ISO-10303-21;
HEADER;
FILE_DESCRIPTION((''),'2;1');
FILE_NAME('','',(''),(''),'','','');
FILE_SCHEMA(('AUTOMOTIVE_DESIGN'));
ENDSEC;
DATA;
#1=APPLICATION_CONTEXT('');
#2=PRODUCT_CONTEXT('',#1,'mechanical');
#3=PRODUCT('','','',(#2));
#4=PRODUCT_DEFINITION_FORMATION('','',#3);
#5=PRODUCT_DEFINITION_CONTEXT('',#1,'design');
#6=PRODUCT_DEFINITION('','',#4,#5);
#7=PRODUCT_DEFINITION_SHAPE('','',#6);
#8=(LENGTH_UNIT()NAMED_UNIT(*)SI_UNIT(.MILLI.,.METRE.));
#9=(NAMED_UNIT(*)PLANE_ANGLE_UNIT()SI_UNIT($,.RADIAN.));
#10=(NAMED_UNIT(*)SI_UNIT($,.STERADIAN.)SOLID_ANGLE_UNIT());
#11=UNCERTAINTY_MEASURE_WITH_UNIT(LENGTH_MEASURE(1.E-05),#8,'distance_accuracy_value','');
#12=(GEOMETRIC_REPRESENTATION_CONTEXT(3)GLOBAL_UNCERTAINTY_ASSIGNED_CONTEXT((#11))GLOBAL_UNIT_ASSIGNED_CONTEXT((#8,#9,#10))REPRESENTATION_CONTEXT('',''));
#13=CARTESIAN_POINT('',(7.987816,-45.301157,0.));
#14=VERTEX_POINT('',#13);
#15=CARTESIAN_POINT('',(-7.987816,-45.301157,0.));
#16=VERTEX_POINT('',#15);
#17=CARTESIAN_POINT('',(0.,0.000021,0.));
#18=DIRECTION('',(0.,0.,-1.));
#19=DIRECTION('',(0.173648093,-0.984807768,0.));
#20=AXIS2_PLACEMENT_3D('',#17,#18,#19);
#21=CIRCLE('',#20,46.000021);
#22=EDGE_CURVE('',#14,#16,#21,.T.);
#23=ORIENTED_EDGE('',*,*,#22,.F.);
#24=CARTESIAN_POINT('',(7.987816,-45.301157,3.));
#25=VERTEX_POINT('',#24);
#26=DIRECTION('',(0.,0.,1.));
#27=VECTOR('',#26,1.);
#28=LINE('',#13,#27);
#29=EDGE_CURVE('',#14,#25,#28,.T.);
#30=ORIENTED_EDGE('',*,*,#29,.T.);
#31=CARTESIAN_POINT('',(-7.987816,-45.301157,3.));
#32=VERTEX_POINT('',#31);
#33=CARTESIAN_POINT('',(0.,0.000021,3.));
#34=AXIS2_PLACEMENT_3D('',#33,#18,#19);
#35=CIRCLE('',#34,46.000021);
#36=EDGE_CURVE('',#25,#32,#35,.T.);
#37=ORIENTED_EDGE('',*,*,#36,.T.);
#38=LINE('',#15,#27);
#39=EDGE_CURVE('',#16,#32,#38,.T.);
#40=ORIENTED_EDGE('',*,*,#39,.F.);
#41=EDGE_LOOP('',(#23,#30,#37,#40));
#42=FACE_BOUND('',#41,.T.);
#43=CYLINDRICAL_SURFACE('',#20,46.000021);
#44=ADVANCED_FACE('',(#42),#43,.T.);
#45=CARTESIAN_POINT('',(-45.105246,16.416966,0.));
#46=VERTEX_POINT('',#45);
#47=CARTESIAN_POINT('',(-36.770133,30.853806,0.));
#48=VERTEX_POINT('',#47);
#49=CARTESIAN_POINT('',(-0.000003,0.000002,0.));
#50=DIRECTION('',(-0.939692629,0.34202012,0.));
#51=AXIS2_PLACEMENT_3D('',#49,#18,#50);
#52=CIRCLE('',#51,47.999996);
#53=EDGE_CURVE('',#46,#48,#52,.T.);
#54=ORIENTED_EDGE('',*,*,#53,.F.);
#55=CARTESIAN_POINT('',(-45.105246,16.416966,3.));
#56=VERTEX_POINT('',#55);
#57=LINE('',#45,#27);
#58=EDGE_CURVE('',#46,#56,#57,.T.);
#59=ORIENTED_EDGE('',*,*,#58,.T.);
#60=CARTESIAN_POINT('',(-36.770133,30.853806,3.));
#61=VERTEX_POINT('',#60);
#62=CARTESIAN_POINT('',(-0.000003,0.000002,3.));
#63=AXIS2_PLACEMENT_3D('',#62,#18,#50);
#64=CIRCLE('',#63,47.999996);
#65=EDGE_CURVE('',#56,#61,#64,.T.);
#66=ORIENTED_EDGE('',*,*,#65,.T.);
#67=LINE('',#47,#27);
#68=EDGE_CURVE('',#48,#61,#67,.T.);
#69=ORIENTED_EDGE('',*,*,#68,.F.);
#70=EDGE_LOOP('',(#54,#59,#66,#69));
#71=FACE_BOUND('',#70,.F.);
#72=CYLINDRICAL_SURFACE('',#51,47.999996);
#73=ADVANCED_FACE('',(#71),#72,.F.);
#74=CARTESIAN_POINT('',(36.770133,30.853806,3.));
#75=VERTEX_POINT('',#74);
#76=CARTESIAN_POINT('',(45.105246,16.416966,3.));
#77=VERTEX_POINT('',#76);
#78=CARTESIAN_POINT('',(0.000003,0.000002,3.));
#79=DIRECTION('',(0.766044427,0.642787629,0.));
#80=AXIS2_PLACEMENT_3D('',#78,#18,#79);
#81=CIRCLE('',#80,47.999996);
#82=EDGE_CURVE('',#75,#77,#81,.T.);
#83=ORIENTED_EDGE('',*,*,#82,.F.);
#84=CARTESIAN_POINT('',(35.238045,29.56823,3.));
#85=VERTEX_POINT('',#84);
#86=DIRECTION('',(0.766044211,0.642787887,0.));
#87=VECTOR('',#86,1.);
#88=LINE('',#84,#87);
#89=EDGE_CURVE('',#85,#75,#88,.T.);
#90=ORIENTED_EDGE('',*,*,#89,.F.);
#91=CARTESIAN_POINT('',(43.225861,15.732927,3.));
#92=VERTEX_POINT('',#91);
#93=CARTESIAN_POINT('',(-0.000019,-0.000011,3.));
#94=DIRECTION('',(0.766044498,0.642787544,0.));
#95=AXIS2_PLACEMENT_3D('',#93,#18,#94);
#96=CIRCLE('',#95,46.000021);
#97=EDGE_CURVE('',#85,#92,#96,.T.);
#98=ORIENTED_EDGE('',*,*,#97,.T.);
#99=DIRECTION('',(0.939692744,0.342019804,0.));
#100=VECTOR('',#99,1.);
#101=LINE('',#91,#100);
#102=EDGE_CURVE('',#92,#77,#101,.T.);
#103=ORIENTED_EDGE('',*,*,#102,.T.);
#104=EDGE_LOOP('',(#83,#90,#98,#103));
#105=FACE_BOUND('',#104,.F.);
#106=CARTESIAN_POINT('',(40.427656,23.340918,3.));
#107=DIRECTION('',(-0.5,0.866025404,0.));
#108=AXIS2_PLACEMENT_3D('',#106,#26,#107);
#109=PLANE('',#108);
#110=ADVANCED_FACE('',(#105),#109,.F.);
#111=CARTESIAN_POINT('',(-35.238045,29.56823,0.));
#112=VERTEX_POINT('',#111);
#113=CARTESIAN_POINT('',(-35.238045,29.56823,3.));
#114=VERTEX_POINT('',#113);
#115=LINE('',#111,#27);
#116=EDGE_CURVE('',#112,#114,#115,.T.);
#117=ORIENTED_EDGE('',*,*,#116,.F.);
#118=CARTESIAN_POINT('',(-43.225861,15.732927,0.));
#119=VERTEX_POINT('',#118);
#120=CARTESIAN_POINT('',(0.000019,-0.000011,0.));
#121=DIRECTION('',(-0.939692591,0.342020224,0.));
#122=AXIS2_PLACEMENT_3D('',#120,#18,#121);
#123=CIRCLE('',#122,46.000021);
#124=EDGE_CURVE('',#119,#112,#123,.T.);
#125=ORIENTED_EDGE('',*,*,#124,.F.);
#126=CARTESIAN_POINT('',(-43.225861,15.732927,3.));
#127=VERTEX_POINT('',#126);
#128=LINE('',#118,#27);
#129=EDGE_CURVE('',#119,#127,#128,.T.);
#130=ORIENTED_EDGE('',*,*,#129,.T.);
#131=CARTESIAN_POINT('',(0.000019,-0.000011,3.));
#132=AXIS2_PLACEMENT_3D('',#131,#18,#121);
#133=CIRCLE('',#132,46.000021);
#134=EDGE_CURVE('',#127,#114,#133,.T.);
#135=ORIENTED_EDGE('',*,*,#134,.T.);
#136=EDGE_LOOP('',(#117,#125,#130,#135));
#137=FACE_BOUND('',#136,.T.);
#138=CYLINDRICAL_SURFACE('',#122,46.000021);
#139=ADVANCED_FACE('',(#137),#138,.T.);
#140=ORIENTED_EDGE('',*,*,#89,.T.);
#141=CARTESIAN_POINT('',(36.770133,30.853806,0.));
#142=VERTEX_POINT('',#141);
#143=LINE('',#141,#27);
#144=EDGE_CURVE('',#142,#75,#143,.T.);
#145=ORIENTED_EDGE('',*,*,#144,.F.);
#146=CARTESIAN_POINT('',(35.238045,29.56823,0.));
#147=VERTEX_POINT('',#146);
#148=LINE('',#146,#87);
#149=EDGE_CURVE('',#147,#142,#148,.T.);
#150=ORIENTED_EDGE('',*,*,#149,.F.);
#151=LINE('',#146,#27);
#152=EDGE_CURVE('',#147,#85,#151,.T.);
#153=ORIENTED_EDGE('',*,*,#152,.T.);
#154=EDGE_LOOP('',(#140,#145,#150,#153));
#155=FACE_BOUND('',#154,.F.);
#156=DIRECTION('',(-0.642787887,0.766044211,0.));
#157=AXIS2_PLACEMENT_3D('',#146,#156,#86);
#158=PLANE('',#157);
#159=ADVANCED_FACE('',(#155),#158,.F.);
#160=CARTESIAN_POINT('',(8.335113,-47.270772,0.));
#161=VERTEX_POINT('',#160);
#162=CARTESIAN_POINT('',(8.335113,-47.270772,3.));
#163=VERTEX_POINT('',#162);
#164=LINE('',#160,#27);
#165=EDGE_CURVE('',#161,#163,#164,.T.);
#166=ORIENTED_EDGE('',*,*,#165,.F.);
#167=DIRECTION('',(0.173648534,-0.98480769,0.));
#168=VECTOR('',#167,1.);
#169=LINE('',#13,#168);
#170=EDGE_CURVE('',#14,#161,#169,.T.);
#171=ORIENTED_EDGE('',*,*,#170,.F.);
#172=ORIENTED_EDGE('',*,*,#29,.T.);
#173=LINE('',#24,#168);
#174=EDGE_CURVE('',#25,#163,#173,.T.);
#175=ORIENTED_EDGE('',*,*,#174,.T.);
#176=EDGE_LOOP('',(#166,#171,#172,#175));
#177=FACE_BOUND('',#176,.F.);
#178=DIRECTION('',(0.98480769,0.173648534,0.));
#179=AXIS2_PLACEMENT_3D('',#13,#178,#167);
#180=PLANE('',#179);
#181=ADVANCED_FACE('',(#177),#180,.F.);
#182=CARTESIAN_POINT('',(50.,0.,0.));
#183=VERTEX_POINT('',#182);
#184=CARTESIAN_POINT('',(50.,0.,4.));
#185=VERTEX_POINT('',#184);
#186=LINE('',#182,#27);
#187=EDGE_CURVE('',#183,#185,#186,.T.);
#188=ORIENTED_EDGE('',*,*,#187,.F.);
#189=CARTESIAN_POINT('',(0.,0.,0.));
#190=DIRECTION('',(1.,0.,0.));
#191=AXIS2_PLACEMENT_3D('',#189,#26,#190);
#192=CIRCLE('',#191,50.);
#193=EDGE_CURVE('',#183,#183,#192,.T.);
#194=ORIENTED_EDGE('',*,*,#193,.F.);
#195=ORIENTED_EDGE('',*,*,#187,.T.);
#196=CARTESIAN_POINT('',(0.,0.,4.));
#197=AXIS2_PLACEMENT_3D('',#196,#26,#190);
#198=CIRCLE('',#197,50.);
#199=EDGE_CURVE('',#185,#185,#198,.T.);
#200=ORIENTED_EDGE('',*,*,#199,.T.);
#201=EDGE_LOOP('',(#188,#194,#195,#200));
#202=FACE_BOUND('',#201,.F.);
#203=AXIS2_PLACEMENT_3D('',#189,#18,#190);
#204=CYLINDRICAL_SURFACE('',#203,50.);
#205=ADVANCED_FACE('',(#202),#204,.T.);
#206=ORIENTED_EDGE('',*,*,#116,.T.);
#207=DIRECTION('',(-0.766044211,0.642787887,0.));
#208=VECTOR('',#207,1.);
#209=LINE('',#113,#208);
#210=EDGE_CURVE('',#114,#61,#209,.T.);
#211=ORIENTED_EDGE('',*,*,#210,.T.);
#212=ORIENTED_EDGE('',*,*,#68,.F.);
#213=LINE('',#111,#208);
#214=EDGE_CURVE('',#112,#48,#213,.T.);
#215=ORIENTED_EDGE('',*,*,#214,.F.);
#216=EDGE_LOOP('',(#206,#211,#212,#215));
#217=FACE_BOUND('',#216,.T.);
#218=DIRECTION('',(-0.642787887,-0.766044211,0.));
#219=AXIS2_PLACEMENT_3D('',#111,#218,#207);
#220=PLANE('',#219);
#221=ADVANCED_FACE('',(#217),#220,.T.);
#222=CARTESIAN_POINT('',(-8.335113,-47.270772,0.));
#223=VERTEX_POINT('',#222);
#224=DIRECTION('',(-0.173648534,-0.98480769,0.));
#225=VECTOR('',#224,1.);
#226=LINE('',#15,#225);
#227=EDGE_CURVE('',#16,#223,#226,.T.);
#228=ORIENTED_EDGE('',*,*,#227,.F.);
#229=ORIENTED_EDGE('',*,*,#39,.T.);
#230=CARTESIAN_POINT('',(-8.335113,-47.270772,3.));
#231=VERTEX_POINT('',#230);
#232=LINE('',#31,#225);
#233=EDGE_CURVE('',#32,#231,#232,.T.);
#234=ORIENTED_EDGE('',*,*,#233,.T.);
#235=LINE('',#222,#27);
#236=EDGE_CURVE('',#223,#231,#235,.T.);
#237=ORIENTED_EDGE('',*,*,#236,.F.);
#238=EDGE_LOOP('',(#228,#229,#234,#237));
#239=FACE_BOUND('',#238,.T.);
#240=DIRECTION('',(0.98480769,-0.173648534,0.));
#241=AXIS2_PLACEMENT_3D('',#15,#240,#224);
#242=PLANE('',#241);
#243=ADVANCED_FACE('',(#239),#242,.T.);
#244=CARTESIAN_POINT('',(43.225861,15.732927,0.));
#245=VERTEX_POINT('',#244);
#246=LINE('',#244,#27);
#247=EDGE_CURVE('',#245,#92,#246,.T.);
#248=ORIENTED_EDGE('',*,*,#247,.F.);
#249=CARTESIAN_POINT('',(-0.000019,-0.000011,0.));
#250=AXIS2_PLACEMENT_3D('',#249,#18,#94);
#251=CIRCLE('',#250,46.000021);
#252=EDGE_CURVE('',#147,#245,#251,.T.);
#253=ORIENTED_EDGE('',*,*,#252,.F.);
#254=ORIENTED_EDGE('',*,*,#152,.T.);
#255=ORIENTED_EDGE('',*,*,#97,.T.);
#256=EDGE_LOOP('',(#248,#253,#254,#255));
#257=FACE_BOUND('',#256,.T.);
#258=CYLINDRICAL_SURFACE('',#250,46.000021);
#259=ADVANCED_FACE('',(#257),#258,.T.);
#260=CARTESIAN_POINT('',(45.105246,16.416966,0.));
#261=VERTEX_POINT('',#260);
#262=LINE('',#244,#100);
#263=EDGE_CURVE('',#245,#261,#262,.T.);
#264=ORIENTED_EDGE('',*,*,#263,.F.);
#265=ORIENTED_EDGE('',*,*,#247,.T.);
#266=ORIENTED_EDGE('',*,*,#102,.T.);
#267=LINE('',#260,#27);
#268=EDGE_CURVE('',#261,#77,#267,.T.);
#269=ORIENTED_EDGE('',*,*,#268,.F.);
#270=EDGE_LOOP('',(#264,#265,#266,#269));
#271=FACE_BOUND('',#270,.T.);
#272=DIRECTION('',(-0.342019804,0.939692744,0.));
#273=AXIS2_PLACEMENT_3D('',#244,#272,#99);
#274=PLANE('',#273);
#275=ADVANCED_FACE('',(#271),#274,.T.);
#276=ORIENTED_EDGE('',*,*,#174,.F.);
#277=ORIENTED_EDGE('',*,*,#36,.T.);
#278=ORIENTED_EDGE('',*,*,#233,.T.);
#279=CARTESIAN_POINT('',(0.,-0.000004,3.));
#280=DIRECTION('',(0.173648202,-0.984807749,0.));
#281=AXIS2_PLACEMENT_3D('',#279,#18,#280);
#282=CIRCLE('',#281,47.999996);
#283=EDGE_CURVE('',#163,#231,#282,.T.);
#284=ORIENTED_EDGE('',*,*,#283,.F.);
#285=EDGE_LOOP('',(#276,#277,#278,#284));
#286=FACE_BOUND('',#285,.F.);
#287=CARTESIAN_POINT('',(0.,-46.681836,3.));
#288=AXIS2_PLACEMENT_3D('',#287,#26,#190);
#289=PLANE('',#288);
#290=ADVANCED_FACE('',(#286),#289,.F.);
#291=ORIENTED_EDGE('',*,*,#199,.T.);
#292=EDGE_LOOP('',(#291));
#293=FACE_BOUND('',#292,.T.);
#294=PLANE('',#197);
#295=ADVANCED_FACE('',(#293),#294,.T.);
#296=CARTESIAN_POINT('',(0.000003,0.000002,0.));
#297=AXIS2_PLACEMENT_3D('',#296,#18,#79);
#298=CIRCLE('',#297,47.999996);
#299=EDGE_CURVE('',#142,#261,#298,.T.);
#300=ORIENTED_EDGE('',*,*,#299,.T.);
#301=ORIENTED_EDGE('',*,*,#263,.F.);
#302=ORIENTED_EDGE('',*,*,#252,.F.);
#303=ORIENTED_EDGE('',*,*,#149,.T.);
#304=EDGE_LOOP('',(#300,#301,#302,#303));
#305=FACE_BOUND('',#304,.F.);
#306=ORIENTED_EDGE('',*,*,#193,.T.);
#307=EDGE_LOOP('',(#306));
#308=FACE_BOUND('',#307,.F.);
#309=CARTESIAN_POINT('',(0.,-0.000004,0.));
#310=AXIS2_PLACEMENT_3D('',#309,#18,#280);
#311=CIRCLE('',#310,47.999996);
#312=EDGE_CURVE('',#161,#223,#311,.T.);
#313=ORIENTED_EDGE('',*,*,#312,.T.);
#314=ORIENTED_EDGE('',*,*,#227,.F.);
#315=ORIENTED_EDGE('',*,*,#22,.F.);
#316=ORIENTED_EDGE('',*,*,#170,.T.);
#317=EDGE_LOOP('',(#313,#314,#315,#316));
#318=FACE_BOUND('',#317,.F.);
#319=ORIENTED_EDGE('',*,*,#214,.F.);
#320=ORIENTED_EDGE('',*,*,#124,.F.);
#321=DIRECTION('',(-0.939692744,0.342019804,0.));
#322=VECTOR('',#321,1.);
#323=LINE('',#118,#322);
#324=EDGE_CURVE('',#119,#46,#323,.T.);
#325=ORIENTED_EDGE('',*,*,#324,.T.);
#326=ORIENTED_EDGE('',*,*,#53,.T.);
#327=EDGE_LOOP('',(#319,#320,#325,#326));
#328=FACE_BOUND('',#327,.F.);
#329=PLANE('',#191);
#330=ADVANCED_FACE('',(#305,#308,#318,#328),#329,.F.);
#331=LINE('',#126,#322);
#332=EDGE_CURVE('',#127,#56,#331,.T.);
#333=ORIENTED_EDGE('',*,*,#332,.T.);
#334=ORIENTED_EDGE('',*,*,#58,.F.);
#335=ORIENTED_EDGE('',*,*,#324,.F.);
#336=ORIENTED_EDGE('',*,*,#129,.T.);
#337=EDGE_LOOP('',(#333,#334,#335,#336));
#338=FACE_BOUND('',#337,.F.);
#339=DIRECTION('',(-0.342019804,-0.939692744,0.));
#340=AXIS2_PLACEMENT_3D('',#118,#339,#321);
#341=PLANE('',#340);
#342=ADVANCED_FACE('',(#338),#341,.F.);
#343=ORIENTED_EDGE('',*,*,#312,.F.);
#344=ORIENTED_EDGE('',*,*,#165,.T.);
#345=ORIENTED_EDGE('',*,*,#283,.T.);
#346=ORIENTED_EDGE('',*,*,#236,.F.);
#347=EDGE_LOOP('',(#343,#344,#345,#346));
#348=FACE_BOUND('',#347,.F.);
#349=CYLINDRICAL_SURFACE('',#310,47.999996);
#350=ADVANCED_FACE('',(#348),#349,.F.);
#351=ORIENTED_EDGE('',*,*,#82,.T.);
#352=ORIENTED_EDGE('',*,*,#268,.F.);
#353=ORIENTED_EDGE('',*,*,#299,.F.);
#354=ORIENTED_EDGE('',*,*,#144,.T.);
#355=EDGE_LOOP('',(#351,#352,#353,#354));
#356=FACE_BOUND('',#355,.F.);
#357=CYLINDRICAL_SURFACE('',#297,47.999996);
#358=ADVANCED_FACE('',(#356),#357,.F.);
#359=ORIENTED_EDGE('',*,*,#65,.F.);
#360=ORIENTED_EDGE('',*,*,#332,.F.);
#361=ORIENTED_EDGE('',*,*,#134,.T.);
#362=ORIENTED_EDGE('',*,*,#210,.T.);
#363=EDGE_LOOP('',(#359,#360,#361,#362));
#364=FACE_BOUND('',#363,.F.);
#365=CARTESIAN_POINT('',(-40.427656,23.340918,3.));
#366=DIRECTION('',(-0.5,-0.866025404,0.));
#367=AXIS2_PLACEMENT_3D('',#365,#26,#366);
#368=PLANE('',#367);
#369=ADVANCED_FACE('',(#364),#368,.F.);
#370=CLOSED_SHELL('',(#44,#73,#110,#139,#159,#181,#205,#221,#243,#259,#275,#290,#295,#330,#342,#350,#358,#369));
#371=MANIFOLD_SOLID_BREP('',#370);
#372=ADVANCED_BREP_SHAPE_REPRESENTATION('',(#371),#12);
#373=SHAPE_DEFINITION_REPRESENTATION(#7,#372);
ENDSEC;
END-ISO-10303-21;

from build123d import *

# Parameters (mm, degrees)
SKETCH_R           = 50
PAD_DEPTH          = 4
POCKET_DEPTH       = 3
POLARPATTERN_COUNT = 3


with BuildPart() as part:
    # Sketch → Pad (new body)
    with BuildSketch(Plane.XY):
        Circle(SKETCH_R)
    extrude(amount=PAD_DEPTH)

    # Sketch001 → Pocket (cut)
    with BuildSketch(Plane(origin=(0, 0, 0), x_dir=(-1, 0, 0), z_dir=(0, 0, -1))):
        with BuildLine():
            ThreePointArc((-7.987816, -45.301157), (0, -46), (7.987816, -45.301157))
            Line((7.987816, -45.301157), (8.335113, -47.270772))
            ThreePointArc((-8.335113, -47.270772), (0, -48), (8.335113, -47.270772))
            Line((-7.987816, -45.301157), (-8.335113, -47.270772))
        make_face()
    pocket = extrude(amount=-POCKET_DEPTH, mode=Mode.SUBTRACT)

    # PolarPattern: Pocket ×3 about axis
    polarpattern_axis = Axis((0, 0, 0), (0, 0, -1))
    for i in range(1, POLARPATTERN_COUNT):
        add(pocket.rotate(polarpattern_axis, i * 360 / POLARPATTERN_COUNT), mode=Mode.SUBTRACT)


solid = part.part
